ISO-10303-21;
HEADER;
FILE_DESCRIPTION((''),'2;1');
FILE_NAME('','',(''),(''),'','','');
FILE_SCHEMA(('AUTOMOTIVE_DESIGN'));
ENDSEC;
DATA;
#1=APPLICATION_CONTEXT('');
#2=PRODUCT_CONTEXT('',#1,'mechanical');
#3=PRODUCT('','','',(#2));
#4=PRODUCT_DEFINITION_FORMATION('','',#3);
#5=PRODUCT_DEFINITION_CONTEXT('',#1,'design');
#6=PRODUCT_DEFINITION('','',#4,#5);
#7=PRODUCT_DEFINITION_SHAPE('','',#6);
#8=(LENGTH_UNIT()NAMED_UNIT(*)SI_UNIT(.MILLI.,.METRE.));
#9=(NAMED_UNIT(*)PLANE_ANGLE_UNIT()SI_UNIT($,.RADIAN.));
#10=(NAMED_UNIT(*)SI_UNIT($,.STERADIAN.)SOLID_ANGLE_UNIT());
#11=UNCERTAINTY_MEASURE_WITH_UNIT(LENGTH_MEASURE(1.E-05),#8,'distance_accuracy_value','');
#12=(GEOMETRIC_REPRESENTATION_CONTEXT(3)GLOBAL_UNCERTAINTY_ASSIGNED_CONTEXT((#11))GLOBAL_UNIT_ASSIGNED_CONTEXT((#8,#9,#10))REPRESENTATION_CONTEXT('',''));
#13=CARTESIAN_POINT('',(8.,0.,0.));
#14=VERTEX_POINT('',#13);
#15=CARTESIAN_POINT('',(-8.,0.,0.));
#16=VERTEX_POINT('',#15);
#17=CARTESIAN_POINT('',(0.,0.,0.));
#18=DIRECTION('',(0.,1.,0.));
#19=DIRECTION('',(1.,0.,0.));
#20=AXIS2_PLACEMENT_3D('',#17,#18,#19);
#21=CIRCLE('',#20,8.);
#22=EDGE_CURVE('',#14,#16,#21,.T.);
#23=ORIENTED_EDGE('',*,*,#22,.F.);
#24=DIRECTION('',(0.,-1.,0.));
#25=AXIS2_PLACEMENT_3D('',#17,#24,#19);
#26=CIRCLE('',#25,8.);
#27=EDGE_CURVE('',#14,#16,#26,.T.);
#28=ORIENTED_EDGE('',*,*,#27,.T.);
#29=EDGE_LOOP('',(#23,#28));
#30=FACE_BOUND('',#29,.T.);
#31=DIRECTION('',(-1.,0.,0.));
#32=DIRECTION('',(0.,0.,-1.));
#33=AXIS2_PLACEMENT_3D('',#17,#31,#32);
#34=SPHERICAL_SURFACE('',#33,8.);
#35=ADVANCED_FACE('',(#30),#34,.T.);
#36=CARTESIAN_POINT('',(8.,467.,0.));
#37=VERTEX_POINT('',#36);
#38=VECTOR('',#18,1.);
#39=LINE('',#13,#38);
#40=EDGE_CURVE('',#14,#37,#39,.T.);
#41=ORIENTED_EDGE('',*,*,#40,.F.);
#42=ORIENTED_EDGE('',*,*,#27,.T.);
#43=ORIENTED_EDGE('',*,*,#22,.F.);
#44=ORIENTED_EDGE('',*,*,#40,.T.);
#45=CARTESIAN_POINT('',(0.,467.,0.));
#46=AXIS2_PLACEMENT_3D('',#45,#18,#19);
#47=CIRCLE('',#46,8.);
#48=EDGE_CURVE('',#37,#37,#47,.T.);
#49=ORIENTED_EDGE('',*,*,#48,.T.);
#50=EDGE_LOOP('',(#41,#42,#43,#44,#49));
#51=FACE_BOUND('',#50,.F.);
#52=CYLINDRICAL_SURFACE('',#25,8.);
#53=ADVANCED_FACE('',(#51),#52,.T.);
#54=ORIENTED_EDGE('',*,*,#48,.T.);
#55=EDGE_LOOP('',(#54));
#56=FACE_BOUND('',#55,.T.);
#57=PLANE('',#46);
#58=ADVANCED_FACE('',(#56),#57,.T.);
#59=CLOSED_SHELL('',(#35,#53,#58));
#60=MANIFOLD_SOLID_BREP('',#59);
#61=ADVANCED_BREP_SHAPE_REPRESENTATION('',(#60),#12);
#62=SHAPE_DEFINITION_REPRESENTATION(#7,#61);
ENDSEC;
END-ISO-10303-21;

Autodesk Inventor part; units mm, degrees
ref_plane "YZ Plane" through (0, 0, 0) normal (1, 0, 0) x (0, 1, 0)
ref_plane "XZ Plane" through (0, 0, 0) normal (0, 1, 0) x (-1, 0, 0)
ref_plane "XY Plane" through (0, 0, 0) normal (0, 0, 1) x (1, 0, 0)
sketch "Sketch1" plane through (0, 0, 0) normal (0, 1, 0) x (-1, 0, 0)
  arc A0 (-8, 0) -> (8, 0) centre (0, 0) ccw
  line L0 (8, 0) -> (-8, 0)
  dimension "d0" = 16
revolve "Revolution1" add sketch "Sketch1" angle 180 about axis through (-8, 0, 0) along (-1, 0, 0)
sketch "Sketch2" plane through (0, 0, 0) normal (0, 1, 0) x (1, 0, 0)
  point P0 (0, 0)
sketch "Sketch3" plane through (0, 0, 0) normal (0, 1, 0) x (1, 0, 0)
  circle A0 centre (0, 0) radius 8
  dimension "d2" = 16
extrude "Extrusion1" add sketch "Sketch3" along normal blind 467
properties part number "Impactorv2" material "Steel, Carbon"
